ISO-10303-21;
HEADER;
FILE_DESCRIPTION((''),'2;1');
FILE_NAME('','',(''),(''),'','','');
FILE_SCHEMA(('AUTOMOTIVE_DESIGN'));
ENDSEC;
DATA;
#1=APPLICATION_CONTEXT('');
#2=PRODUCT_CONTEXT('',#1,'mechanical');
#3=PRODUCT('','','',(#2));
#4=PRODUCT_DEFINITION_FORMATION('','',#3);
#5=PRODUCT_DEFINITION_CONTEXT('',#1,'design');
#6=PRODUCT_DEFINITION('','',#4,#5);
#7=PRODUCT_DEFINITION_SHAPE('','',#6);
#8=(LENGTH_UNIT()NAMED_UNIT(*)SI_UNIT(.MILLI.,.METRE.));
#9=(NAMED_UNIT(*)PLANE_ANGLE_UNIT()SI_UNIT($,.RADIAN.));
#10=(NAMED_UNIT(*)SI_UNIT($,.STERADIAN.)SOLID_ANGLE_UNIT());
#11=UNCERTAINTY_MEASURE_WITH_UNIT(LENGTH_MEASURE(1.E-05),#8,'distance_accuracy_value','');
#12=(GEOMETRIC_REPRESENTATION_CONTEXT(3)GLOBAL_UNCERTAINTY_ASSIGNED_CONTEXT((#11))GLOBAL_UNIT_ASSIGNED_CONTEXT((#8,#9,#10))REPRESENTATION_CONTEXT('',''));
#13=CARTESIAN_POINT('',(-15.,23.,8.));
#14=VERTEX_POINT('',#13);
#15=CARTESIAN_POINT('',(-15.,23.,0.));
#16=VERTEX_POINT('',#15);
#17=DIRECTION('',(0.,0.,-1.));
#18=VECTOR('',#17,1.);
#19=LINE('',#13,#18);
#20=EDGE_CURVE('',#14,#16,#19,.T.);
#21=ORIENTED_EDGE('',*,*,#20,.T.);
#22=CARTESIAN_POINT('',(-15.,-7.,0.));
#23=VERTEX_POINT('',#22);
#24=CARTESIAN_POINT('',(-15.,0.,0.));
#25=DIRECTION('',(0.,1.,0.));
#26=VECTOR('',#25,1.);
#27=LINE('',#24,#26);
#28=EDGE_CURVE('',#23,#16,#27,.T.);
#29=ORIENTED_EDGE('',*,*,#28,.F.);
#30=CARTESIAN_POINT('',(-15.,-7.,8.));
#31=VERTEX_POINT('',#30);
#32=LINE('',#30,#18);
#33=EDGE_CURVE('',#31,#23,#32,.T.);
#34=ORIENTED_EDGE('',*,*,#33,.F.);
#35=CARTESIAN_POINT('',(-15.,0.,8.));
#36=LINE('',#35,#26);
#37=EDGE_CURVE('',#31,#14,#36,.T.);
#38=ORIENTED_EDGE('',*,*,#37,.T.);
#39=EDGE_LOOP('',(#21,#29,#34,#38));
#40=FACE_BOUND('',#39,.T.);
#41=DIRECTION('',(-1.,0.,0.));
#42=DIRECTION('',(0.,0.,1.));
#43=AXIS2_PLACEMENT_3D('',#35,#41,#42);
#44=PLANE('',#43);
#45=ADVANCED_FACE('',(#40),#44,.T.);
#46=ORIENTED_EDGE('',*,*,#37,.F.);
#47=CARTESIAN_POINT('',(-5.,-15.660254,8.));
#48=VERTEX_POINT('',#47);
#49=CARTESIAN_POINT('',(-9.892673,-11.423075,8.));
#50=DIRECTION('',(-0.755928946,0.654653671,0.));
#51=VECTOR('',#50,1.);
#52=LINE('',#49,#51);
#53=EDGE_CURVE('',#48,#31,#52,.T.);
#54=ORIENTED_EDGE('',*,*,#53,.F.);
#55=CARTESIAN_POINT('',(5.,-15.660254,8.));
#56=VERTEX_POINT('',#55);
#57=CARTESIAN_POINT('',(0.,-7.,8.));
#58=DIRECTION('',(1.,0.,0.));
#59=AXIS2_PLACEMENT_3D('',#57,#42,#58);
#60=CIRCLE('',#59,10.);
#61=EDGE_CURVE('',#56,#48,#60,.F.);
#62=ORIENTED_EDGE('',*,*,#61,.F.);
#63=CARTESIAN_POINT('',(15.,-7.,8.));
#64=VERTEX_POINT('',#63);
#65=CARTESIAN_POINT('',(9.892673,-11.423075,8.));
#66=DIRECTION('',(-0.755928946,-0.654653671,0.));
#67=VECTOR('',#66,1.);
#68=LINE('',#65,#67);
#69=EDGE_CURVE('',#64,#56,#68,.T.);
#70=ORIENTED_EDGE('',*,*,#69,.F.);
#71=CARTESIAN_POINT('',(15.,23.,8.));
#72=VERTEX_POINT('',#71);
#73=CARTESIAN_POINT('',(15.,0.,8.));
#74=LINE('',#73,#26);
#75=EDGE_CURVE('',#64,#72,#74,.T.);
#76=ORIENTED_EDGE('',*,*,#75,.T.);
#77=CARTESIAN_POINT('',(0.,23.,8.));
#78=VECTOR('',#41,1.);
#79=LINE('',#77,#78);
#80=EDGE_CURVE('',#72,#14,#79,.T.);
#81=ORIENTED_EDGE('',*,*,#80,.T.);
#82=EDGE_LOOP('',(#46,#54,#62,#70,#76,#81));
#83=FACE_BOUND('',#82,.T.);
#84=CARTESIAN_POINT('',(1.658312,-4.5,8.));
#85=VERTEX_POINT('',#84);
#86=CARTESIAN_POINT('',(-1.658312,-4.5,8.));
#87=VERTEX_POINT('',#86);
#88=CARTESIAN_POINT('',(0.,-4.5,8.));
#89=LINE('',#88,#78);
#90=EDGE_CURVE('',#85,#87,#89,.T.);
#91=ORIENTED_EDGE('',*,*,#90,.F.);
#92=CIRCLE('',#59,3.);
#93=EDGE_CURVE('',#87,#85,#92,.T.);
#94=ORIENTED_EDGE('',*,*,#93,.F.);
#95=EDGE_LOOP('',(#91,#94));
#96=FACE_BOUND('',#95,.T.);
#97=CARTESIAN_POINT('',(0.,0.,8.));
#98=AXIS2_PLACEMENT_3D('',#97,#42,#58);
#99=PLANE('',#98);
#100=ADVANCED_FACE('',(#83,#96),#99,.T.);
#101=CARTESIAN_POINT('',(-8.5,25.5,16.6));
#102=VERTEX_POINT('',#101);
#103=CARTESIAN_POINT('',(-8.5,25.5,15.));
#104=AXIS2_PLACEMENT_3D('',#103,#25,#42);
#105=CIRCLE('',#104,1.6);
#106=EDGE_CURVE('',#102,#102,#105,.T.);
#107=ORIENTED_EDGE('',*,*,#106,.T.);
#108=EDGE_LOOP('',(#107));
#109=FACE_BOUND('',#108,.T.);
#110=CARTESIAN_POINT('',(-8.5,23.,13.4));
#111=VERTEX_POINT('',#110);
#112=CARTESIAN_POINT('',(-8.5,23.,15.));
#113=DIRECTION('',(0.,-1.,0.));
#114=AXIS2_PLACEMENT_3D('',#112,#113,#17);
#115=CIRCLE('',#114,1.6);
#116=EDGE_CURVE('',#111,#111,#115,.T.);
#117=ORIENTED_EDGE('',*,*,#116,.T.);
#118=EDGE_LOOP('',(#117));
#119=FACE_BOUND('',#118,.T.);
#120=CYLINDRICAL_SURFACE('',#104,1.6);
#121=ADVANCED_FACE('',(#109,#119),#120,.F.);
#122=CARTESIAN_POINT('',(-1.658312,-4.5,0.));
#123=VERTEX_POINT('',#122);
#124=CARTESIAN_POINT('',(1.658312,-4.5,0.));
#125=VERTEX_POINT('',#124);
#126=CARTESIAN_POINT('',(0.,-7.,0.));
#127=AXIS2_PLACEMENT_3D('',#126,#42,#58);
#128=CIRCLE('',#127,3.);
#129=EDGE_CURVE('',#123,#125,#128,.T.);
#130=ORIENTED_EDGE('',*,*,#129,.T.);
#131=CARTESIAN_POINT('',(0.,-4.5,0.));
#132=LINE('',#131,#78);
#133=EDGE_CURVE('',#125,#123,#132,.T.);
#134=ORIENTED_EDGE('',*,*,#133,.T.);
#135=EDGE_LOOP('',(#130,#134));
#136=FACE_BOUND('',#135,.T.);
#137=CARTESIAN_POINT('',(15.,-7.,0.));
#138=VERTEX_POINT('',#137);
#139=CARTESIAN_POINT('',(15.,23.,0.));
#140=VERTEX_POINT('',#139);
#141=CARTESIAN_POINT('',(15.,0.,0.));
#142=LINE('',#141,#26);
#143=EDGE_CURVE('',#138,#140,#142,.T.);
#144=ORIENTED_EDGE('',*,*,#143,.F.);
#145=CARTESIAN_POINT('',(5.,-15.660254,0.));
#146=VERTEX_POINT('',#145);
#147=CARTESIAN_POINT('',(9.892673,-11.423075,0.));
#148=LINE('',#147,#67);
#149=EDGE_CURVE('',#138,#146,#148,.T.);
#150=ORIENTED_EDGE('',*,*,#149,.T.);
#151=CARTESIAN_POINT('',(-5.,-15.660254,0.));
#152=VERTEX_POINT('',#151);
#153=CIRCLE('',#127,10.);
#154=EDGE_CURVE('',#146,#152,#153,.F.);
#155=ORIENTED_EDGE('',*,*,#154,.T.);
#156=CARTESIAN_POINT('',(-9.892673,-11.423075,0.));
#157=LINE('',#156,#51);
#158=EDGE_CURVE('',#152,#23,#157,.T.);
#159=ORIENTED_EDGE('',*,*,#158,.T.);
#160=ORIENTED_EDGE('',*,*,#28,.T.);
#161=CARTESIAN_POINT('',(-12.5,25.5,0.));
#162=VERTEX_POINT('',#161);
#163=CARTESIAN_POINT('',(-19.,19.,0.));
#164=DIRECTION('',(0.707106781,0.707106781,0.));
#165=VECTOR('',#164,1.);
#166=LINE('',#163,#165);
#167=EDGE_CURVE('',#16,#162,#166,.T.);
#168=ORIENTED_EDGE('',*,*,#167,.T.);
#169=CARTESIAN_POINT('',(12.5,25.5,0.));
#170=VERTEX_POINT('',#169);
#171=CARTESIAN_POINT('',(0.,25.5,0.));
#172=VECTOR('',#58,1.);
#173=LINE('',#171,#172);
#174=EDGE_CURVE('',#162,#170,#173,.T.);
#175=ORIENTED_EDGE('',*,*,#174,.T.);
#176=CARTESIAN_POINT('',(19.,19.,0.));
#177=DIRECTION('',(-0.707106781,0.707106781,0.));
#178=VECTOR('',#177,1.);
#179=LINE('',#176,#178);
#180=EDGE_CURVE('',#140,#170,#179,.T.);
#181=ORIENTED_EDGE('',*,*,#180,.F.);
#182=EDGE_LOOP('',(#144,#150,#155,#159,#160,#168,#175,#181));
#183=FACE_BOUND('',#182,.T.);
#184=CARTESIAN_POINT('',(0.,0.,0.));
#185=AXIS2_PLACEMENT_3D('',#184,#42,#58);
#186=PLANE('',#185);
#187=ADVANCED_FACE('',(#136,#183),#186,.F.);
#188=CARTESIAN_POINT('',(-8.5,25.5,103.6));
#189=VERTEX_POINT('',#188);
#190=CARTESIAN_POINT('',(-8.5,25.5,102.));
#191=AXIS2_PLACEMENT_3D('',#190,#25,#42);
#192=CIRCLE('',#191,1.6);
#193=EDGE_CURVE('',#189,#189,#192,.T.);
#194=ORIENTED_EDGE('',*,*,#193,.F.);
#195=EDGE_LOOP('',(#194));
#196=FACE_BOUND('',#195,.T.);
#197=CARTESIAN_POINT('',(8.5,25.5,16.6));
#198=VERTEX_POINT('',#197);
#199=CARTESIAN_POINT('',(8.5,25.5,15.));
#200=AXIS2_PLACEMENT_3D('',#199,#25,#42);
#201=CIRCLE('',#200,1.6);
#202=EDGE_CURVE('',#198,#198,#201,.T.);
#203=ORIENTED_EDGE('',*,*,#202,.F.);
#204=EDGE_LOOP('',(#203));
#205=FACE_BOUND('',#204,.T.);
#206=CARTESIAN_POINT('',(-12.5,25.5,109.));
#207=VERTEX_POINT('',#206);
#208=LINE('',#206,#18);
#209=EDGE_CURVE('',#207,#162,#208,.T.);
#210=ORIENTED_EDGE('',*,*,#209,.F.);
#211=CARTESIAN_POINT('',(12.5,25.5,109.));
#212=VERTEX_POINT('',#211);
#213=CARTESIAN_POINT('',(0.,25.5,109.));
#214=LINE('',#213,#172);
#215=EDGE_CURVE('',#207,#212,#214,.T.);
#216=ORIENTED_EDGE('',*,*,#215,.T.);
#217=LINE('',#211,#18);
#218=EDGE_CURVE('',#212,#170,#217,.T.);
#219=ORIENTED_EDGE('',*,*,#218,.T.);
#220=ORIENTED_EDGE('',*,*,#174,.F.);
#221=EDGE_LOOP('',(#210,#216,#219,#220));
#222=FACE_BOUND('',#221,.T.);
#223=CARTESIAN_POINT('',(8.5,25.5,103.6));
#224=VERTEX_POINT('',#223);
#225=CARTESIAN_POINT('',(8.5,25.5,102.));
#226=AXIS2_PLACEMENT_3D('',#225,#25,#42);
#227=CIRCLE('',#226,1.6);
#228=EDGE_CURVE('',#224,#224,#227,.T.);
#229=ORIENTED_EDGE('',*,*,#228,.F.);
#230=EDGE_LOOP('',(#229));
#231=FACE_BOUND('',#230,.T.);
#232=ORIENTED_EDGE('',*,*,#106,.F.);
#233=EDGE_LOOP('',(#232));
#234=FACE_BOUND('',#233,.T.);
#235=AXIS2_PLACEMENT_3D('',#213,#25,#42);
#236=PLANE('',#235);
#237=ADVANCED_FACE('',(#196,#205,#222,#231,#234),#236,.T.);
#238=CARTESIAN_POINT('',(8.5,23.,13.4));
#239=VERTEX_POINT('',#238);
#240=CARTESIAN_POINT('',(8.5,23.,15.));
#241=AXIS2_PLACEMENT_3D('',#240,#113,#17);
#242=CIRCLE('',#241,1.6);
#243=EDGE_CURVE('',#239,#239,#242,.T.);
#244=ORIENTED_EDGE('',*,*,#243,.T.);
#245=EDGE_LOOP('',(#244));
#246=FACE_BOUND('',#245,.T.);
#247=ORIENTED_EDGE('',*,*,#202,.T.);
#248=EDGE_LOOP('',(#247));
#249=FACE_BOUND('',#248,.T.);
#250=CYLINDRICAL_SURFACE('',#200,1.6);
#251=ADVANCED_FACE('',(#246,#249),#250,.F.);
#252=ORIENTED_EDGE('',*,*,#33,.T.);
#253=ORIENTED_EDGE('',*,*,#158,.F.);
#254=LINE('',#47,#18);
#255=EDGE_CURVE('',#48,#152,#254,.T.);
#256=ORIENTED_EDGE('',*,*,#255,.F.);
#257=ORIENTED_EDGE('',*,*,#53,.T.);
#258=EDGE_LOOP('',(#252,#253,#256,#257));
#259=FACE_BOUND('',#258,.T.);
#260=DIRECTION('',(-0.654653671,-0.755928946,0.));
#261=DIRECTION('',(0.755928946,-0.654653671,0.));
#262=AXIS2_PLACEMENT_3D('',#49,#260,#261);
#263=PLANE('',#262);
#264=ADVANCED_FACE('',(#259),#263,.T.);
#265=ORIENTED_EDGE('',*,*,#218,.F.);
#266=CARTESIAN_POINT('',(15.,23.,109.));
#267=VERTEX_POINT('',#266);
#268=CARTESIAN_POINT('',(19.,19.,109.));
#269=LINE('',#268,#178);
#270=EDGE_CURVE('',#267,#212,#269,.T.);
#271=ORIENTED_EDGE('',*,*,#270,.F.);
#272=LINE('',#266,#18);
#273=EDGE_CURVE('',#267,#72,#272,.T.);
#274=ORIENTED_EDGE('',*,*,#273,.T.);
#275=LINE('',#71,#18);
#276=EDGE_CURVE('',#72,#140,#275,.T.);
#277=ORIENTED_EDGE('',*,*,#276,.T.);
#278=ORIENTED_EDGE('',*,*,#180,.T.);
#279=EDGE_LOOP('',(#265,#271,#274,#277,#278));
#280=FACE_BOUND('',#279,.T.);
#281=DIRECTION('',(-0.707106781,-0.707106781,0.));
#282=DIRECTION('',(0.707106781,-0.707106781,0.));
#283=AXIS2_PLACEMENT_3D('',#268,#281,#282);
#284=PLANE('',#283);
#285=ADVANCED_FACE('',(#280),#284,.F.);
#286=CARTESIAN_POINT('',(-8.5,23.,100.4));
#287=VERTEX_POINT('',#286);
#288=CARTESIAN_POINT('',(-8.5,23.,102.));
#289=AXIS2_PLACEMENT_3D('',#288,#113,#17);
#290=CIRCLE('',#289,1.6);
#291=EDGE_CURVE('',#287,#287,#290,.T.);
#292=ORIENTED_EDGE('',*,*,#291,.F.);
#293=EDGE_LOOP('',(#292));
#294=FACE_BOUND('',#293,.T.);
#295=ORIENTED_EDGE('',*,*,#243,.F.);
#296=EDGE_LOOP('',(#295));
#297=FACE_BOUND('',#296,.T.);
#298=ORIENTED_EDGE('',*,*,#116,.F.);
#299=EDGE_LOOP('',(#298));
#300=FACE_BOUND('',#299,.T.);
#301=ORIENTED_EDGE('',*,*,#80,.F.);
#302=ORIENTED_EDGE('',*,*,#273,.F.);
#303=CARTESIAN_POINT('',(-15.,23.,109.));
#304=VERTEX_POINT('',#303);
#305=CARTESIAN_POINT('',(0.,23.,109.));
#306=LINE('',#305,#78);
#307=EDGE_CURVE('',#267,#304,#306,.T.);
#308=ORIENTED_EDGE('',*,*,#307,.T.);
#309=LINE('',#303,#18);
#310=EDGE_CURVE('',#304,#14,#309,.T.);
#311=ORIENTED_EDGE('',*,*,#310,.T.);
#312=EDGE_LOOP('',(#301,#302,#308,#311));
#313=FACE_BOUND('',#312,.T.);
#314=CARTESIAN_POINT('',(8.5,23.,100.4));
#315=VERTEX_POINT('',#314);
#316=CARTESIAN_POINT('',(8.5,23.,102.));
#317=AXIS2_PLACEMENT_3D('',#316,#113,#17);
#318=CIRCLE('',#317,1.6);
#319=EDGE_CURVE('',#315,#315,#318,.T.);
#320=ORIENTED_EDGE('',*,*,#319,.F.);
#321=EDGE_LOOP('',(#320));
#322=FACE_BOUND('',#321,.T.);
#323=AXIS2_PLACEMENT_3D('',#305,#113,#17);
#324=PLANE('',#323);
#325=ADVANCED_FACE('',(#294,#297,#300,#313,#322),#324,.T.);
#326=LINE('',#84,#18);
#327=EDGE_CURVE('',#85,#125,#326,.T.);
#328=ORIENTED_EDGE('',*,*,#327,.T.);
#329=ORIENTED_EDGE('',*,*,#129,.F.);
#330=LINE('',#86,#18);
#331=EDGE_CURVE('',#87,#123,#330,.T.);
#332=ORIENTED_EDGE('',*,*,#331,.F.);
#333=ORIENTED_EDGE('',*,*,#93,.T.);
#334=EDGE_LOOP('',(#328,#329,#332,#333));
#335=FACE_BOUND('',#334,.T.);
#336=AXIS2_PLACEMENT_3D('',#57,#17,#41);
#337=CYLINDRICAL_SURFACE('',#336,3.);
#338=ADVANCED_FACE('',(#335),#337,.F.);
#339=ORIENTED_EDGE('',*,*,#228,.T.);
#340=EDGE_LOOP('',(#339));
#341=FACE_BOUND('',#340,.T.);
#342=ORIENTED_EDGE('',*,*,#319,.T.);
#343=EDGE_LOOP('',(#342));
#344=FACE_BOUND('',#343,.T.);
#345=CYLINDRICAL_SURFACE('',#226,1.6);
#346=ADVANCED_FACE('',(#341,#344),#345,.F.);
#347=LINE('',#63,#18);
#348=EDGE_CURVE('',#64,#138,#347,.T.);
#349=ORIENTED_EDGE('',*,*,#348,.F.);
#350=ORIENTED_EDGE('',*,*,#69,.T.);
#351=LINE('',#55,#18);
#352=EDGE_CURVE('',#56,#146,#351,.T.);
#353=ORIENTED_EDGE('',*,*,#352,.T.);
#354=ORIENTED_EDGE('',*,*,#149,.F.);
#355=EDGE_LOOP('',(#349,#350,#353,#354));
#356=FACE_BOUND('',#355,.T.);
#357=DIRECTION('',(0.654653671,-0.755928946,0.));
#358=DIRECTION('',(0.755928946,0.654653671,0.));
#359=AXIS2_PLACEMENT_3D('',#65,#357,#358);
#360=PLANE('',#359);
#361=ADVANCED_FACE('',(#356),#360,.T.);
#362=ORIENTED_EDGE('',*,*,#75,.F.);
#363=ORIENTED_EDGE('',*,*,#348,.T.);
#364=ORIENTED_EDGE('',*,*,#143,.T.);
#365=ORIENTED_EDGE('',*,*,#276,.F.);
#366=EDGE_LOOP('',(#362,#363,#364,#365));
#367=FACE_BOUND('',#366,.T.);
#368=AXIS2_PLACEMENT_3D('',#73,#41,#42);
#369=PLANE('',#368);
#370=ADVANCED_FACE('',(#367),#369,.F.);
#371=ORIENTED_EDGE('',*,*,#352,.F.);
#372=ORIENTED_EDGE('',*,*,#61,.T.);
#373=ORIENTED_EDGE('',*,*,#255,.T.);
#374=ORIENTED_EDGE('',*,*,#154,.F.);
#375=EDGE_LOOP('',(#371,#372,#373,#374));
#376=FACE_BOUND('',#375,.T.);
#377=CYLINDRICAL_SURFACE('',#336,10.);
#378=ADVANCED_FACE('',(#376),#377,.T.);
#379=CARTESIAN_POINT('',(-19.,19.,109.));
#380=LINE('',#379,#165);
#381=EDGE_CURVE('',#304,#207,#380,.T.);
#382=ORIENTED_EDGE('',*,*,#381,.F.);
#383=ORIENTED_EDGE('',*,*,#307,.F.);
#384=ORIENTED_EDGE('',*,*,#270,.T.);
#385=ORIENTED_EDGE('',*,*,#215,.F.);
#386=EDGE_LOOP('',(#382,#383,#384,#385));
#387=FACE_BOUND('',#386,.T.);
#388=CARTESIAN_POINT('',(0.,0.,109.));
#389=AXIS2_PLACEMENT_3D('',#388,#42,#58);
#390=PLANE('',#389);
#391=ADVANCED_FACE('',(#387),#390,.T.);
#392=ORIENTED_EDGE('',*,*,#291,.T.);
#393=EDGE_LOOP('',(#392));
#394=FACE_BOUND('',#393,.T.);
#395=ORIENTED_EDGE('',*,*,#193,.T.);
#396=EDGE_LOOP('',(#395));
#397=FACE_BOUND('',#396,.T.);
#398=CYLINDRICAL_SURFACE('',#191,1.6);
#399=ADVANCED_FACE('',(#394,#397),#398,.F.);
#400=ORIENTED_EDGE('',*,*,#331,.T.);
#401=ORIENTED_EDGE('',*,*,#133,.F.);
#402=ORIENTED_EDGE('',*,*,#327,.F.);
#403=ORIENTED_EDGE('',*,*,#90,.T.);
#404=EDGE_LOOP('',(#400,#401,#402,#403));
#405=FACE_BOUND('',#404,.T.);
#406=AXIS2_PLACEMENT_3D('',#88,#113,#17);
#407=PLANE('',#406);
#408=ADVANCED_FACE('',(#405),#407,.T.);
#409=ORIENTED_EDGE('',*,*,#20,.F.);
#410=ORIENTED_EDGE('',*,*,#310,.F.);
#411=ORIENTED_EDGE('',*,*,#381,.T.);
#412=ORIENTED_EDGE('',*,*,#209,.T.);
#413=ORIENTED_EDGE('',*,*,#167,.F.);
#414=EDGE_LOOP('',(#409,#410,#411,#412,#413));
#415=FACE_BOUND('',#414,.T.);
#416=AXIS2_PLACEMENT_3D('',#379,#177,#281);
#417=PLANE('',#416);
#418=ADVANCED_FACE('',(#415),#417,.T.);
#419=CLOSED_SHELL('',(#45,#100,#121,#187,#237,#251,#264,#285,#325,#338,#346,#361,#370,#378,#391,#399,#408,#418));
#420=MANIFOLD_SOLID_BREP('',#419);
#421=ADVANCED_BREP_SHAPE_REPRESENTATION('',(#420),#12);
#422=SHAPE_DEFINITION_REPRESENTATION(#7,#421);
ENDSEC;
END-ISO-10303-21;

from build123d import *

# Parameters (mm, degrees)
BOSS_EXTRUDE1_DEPTH  = 8
BOSS_EXTRUDE3_DEPTH  = 109
M3_CLEARANCE_SLOT1_D = 3.2


with BuildPart() as part:
    # Sketch1 → Boss-Extrude1 (new body)
    with BuildSketch(Plane.XY):
        with BuildLine():
            Line((15, 23), (-15, 23))
            Line((-15, 23), (-15, -7))
            Line((-15, -7), (-5, -15.660254038))
            ThreePointArc((-5, -15.660254038), (0, -17), (5, -15.660254038))
            Line((5, -15.660254038), (15, -7))
            Line((15, -7), (15, 23))
        make_face()
        with BuildLine():
            Line((1.658312395, -4.5), (-1.658312395, -4.5))
            ThreePointArc((-1.658312395, -4.5), (0, -10), (1.658312395, -4.5))
        make_face(mode=Mode.SUBTRACT)
    extrude(amount=BOSS_EXTRUDE1_DEPTH)

    # Sketch1<5> → Boss-Extrude3 (add)
    with BuildSketch(Plane.XY):
        Polygon((-12.5, 25.5), (12.5, 25.5), (15, 23), (-15, 23), align=None)
    extrude(amount=BOSS_EXTRUDE3_DEPTH)

    # M3 Clearance Slot1 (through all)
    with Locations(Plane(origin=(0, 25.5, 0), x_dir=(1, 0, 0), z_dir=(0, 1, 0))):
        with Locations((-8.5, -15), (8.5, -15), (-8.5, -102), (8.5, -102)):
            Hole(M3_CLEARANCE_SLOT1_D / 2)


solid = part.part
